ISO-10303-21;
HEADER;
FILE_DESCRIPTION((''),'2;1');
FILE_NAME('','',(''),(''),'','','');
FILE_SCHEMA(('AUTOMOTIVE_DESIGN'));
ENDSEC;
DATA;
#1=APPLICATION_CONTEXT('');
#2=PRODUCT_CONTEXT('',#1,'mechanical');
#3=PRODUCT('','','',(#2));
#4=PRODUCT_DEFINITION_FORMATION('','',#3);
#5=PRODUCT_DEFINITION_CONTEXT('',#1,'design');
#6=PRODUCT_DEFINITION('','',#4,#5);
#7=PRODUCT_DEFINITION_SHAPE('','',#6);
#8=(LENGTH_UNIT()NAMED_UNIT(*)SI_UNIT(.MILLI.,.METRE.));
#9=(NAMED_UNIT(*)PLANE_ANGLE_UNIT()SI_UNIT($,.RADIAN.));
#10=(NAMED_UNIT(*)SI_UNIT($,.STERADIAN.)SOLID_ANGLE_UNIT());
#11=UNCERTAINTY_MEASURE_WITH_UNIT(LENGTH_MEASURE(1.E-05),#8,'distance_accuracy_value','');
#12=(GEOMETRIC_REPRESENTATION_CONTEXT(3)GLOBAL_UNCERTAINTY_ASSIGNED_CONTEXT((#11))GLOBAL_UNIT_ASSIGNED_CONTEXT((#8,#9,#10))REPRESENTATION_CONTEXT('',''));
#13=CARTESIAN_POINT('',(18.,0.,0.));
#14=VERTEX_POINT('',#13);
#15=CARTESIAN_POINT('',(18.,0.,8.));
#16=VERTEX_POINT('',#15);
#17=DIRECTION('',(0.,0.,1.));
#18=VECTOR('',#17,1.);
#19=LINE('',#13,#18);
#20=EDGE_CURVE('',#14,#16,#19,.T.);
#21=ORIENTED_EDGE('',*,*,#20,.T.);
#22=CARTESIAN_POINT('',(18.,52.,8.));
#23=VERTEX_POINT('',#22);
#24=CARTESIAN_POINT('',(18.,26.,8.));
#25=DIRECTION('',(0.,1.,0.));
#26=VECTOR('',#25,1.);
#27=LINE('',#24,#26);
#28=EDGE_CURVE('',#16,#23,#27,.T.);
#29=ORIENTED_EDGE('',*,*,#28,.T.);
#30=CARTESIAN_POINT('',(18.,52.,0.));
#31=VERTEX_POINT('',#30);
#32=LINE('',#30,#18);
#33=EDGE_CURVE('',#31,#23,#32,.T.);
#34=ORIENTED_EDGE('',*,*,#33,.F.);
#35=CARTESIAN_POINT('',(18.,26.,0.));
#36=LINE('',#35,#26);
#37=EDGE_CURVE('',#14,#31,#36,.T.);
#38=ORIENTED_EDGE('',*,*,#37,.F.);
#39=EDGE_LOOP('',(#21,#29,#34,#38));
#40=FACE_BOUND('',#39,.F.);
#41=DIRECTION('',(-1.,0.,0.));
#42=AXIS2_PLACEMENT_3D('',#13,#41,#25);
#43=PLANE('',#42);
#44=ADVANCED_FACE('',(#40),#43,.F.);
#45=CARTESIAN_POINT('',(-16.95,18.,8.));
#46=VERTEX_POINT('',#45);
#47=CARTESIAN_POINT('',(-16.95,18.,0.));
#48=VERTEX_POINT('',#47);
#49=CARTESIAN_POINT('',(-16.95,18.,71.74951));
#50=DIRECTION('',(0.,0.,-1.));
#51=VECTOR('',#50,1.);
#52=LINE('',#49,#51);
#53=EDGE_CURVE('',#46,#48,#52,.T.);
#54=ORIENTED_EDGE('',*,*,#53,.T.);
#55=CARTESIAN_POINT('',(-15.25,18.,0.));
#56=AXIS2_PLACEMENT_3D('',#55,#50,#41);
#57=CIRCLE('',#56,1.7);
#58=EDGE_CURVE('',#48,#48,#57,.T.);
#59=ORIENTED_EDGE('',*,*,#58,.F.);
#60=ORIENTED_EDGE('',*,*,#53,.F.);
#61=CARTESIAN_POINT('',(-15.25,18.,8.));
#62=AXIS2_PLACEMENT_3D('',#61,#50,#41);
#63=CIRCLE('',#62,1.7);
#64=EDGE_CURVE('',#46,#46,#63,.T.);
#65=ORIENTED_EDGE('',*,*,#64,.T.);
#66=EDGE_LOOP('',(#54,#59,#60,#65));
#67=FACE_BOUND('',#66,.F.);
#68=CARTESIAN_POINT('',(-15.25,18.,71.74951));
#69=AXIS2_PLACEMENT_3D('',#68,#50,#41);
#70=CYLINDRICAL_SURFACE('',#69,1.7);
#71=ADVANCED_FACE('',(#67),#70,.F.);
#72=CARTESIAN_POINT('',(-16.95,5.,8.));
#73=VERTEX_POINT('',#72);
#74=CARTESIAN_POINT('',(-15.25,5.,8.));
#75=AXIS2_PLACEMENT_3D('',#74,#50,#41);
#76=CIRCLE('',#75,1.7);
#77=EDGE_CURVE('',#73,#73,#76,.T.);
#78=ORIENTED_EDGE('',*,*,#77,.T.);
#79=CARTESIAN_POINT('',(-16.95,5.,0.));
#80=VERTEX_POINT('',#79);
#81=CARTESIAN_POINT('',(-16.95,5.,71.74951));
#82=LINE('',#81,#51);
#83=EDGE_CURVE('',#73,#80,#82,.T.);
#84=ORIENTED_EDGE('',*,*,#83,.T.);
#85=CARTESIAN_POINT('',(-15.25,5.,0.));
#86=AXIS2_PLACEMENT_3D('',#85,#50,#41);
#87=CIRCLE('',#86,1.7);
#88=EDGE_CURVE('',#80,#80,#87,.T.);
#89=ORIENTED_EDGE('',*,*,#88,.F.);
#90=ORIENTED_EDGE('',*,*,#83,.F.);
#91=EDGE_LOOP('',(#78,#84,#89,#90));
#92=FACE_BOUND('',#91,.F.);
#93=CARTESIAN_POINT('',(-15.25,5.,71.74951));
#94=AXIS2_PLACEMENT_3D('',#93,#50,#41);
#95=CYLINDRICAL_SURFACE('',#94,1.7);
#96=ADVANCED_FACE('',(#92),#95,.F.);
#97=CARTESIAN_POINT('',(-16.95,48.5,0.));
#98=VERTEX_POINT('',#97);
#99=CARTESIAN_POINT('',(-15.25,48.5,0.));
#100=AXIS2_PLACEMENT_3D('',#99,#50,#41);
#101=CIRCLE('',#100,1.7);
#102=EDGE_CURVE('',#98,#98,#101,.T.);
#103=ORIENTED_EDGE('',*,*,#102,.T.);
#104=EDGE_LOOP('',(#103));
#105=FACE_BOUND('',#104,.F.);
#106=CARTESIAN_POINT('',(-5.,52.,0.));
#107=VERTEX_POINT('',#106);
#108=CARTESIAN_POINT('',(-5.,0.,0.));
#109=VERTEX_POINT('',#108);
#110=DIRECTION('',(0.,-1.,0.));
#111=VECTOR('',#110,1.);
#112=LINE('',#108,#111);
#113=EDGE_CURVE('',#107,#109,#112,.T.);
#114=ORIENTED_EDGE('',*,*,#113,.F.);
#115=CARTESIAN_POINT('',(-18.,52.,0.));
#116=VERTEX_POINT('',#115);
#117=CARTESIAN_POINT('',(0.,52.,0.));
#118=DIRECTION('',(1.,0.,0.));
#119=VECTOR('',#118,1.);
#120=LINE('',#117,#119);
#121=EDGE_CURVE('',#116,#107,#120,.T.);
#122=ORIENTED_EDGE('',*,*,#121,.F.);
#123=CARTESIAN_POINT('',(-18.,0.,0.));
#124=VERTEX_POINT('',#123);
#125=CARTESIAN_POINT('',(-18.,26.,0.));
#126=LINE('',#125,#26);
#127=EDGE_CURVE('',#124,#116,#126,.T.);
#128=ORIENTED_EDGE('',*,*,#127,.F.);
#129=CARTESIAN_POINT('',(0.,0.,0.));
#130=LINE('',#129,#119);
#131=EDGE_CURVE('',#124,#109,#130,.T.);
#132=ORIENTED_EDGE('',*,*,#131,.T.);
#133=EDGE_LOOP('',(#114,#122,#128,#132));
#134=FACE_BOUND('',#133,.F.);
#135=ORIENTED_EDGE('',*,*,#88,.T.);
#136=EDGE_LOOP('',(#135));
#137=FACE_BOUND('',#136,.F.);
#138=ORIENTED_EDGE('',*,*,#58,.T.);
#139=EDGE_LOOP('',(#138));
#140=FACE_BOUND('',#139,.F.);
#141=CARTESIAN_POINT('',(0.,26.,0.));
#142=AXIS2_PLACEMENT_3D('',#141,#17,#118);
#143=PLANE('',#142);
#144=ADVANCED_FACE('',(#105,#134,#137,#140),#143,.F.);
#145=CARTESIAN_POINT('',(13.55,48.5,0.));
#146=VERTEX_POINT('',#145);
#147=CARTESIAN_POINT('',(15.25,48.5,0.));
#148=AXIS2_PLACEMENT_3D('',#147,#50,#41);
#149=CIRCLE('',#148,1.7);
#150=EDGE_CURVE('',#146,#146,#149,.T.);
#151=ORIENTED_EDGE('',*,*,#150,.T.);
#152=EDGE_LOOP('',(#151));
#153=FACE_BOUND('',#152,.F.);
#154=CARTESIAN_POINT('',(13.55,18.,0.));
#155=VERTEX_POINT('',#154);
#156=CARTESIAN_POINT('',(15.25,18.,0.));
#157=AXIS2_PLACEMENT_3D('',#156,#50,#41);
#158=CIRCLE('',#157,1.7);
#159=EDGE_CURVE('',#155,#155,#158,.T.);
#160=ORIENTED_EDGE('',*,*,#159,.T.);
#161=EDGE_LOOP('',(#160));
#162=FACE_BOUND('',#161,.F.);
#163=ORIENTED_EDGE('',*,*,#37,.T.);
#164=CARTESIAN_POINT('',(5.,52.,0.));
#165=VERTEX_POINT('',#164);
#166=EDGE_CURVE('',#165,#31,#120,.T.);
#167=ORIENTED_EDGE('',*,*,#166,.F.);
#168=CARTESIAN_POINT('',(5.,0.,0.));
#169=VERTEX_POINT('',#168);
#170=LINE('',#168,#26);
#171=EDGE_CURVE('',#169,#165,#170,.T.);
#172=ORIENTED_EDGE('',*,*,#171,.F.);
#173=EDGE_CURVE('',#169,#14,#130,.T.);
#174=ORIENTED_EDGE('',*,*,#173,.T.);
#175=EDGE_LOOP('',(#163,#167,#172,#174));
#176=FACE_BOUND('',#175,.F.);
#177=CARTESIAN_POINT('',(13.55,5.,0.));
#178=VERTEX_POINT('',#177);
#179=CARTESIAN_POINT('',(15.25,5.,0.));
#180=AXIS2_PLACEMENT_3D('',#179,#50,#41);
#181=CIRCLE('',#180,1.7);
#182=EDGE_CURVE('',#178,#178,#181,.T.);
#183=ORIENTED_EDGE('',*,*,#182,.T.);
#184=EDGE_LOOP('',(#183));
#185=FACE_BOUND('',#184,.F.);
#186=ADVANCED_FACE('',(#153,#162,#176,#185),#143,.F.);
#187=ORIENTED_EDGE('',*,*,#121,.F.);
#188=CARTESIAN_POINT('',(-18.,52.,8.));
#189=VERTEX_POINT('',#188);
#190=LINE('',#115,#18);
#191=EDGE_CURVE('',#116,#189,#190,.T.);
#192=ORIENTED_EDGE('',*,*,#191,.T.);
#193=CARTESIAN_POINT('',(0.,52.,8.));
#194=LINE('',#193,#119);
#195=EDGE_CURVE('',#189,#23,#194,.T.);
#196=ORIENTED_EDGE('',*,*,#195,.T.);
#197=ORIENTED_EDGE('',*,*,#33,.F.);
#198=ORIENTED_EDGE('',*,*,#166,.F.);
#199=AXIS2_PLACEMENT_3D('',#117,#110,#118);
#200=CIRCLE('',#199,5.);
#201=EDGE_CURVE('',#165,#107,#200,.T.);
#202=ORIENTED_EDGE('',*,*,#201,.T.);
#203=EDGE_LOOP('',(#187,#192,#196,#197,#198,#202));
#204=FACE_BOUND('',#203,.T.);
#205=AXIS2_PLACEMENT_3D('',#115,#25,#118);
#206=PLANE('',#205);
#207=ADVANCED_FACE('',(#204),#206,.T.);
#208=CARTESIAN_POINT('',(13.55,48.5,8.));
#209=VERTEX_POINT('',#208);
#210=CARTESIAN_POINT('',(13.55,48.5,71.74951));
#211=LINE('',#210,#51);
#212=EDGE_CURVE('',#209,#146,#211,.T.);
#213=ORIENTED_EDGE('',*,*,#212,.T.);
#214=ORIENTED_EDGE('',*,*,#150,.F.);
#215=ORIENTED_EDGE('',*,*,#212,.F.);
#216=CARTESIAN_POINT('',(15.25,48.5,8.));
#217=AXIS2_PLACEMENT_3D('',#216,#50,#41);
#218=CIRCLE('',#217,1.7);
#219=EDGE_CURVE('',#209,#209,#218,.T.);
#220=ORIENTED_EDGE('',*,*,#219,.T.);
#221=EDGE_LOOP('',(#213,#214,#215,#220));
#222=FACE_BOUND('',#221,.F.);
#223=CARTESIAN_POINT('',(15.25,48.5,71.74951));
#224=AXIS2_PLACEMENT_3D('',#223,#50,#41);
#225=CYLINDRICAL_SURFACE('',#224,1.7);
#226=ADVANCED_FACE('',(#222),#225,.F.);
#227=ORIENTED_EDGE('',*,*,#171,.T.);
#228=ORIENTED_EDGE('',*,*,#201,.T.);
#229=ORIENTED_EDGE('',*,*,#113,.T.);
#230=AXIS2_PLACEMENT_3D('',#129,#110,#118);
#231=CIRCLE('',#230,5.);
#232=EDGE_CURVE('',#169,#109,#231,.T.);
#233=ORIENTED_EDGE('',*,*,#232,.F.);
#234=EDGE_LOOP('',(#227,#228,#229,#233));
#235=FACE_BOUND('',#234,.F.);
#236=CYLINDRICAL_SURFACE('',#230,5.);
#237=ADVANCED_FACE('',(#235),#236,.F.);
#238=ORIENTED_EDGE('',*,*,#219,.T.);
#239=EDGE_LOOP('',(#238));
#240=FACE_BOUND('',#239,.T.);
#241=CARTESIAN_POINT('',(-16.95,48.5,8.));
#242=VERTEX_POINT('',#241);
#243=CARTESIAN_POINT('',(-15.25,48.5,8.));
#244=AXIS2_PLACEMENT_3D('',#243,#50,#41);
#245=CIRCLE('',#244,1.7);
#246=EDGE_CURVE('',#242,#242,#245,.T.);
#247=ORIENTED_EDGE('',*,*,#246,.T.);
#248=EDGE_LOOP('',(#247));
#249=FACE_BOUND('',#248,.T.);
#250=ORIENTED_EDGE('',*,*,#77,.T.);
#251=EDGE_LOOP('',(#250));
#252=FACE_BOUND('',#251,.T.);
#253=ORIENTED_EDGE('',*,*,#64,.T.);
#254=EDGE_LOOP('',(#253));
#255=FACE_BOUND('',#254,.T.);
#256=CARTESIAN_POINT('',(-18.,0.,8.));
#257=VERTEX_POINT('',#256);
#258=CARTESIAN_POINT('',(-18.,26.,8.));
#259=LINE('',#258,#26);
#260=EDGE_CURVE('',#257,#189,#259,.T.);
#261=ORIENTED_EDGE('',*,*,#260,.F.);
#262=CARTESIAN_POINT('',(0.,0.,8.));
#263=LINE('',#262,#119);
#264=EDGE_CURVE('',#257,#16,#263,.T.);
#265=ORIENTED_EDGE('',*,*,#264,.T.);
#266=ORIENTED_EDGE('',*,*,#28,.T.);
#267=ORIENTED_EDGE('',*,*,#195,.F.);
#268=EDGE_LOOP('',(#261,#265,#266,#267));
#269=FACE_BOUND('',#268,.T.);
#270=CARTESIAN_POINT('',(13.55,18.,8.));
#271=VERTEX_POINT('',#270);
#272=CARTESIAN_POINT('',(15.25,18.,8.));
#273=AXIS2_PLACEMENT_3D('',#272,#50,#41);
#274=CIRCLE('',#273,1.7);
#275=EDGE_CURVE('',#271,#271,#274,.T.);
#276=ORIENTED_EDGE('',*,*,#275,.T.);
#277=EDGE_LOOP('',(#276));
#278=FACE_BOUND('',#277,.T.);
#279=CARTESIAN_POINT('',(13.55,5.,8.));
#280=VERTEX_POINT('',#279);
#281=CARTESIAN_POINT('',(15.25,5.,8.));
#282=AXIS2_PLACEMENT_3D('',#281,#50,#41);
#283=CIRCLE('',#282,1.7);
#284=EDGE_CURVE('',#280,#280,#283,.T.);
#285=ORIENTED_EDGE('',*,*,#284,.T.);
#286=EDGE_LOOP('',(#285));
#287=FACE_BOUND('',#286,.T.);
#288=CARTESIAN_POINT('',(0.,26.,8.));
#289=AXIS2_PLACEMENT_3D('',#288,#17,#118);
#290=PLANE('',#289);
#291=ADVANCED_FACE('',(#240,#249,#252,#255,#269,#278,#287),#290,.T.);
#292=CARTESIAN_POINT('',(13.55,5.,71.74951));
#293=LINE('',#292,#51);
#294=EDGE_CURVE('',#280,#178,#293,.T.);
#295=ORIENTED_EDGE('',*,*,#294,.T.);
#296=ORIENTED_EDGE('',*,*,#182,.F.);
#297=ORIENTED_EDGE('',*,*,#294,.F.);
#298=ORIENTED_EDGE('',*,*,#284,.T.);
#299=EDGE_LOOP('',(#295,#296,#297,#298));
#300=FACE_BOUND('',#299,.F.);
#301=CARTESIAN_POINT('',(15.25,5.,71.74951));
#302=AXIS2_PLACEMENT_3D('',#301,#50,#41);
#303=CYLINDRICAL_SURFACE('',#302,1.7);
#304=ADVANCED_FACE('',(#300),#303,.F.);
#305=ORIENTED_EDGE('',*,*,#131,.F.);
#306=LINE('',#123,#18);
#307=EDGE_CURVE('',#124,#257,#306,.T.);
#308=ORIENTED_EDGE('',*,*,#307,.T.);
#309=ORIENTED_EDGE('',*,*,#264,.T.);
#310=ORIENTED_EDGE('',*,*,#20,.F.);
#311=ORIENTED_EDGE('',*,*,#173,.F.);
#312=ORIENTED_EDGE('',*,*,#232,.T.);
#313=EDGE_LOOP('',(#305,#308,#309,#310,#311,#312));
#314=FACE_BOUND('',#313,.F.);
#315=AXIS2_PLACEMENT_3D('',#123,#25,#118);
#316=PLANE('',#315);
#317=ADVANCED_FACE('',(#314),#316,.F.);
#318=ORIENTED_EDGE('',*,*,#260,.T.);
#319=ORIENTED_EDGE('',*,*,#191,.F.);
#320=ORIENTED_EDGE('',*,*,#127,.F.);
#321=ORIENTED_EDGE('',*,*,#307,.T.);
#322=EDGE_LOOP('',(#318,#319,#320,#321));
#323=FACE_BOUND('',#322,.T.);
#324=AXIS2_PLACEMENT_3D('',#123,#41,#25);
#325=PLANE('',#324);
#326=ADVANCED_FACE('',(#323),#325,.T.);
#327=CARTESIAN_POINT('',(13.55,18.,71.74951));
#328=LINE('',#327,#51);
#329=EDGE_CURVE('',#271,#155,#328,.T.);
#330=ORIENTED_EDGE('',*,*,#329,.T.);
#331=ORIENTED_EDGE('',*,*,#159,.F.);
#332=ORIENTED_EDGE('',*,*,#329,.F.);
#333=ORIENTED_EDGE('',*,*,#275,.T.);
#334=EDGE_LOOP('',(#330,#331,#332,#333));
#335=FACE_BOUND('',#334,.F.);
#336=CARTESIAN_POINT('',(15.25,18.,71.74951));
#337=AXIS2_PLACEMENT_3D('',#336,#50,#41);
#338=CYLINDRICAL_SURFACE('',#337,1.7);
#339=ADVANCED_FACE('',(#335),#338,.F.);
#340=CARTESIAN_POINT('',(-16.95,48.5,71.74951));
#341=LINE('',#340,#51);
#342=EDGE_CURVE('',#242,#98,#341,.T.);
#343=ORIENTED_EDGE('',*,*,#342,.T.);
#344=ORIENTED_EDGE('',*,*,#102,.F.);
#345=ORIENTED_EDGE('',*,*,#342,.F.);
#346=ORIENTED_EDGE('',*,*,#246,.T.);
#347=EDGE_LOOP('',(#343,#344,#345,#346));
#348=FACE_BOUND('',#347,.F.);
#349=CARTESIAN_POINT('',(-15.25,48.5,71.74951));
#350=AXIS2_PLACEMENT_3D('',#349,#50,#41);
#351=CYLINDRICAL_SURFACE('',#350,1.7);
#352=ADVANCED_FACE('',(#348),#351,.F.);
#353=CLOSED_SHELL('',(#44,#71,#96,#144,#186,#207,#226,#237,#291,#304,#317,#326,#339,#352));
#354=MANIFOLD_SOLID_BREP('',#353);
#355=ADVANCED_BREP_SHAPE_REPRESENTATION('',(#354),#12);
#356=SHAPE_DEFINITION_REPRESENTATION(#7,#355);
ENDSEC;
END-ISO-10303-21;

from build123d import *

# Parameters (mm, degrees)
F0_W     = 36
F0_H     = 52
F1_DEPTH = 8
F3_D     = 3.4
F5_DEPTH = 52.001


with BuildPart() as f1:
    # F0 (on Top) → F1 (new body)
    with BuildSketch(Plane.XY):
        with Locations((0, 26)):
            Rectangle(F0_W, F0_H)
    extrude(amount=F1_DEPTH)

    # F3 (through all)
    with Locations(Plane.XY.offset(8)):
        with Locations((15.25, 48.5), (15.25, 5), (-15.25, 18), (-15.25, 48.5), (15.25, 18), (-15.25, 5)):
            Hole(F3_D / 2)

    # F4 (on face) → F5 (cut, through all)
    with BuildSketch(Plane.XZ):
        with BuildLine():
            ThreePointArc((-5, 0), (0, -5), (5, 0))
            Line((5, 0), (-5, 0))
        make_face()
        with BuildLine():
            Line((-5, 0), (5, 0))
            ThreePointArc((5, 0), (0, 5), (-5, 0))
        make_face()
    extrude(amount=-F5_DEPTH, mode=Mode.SUBTRACT)


solid = f1.part
